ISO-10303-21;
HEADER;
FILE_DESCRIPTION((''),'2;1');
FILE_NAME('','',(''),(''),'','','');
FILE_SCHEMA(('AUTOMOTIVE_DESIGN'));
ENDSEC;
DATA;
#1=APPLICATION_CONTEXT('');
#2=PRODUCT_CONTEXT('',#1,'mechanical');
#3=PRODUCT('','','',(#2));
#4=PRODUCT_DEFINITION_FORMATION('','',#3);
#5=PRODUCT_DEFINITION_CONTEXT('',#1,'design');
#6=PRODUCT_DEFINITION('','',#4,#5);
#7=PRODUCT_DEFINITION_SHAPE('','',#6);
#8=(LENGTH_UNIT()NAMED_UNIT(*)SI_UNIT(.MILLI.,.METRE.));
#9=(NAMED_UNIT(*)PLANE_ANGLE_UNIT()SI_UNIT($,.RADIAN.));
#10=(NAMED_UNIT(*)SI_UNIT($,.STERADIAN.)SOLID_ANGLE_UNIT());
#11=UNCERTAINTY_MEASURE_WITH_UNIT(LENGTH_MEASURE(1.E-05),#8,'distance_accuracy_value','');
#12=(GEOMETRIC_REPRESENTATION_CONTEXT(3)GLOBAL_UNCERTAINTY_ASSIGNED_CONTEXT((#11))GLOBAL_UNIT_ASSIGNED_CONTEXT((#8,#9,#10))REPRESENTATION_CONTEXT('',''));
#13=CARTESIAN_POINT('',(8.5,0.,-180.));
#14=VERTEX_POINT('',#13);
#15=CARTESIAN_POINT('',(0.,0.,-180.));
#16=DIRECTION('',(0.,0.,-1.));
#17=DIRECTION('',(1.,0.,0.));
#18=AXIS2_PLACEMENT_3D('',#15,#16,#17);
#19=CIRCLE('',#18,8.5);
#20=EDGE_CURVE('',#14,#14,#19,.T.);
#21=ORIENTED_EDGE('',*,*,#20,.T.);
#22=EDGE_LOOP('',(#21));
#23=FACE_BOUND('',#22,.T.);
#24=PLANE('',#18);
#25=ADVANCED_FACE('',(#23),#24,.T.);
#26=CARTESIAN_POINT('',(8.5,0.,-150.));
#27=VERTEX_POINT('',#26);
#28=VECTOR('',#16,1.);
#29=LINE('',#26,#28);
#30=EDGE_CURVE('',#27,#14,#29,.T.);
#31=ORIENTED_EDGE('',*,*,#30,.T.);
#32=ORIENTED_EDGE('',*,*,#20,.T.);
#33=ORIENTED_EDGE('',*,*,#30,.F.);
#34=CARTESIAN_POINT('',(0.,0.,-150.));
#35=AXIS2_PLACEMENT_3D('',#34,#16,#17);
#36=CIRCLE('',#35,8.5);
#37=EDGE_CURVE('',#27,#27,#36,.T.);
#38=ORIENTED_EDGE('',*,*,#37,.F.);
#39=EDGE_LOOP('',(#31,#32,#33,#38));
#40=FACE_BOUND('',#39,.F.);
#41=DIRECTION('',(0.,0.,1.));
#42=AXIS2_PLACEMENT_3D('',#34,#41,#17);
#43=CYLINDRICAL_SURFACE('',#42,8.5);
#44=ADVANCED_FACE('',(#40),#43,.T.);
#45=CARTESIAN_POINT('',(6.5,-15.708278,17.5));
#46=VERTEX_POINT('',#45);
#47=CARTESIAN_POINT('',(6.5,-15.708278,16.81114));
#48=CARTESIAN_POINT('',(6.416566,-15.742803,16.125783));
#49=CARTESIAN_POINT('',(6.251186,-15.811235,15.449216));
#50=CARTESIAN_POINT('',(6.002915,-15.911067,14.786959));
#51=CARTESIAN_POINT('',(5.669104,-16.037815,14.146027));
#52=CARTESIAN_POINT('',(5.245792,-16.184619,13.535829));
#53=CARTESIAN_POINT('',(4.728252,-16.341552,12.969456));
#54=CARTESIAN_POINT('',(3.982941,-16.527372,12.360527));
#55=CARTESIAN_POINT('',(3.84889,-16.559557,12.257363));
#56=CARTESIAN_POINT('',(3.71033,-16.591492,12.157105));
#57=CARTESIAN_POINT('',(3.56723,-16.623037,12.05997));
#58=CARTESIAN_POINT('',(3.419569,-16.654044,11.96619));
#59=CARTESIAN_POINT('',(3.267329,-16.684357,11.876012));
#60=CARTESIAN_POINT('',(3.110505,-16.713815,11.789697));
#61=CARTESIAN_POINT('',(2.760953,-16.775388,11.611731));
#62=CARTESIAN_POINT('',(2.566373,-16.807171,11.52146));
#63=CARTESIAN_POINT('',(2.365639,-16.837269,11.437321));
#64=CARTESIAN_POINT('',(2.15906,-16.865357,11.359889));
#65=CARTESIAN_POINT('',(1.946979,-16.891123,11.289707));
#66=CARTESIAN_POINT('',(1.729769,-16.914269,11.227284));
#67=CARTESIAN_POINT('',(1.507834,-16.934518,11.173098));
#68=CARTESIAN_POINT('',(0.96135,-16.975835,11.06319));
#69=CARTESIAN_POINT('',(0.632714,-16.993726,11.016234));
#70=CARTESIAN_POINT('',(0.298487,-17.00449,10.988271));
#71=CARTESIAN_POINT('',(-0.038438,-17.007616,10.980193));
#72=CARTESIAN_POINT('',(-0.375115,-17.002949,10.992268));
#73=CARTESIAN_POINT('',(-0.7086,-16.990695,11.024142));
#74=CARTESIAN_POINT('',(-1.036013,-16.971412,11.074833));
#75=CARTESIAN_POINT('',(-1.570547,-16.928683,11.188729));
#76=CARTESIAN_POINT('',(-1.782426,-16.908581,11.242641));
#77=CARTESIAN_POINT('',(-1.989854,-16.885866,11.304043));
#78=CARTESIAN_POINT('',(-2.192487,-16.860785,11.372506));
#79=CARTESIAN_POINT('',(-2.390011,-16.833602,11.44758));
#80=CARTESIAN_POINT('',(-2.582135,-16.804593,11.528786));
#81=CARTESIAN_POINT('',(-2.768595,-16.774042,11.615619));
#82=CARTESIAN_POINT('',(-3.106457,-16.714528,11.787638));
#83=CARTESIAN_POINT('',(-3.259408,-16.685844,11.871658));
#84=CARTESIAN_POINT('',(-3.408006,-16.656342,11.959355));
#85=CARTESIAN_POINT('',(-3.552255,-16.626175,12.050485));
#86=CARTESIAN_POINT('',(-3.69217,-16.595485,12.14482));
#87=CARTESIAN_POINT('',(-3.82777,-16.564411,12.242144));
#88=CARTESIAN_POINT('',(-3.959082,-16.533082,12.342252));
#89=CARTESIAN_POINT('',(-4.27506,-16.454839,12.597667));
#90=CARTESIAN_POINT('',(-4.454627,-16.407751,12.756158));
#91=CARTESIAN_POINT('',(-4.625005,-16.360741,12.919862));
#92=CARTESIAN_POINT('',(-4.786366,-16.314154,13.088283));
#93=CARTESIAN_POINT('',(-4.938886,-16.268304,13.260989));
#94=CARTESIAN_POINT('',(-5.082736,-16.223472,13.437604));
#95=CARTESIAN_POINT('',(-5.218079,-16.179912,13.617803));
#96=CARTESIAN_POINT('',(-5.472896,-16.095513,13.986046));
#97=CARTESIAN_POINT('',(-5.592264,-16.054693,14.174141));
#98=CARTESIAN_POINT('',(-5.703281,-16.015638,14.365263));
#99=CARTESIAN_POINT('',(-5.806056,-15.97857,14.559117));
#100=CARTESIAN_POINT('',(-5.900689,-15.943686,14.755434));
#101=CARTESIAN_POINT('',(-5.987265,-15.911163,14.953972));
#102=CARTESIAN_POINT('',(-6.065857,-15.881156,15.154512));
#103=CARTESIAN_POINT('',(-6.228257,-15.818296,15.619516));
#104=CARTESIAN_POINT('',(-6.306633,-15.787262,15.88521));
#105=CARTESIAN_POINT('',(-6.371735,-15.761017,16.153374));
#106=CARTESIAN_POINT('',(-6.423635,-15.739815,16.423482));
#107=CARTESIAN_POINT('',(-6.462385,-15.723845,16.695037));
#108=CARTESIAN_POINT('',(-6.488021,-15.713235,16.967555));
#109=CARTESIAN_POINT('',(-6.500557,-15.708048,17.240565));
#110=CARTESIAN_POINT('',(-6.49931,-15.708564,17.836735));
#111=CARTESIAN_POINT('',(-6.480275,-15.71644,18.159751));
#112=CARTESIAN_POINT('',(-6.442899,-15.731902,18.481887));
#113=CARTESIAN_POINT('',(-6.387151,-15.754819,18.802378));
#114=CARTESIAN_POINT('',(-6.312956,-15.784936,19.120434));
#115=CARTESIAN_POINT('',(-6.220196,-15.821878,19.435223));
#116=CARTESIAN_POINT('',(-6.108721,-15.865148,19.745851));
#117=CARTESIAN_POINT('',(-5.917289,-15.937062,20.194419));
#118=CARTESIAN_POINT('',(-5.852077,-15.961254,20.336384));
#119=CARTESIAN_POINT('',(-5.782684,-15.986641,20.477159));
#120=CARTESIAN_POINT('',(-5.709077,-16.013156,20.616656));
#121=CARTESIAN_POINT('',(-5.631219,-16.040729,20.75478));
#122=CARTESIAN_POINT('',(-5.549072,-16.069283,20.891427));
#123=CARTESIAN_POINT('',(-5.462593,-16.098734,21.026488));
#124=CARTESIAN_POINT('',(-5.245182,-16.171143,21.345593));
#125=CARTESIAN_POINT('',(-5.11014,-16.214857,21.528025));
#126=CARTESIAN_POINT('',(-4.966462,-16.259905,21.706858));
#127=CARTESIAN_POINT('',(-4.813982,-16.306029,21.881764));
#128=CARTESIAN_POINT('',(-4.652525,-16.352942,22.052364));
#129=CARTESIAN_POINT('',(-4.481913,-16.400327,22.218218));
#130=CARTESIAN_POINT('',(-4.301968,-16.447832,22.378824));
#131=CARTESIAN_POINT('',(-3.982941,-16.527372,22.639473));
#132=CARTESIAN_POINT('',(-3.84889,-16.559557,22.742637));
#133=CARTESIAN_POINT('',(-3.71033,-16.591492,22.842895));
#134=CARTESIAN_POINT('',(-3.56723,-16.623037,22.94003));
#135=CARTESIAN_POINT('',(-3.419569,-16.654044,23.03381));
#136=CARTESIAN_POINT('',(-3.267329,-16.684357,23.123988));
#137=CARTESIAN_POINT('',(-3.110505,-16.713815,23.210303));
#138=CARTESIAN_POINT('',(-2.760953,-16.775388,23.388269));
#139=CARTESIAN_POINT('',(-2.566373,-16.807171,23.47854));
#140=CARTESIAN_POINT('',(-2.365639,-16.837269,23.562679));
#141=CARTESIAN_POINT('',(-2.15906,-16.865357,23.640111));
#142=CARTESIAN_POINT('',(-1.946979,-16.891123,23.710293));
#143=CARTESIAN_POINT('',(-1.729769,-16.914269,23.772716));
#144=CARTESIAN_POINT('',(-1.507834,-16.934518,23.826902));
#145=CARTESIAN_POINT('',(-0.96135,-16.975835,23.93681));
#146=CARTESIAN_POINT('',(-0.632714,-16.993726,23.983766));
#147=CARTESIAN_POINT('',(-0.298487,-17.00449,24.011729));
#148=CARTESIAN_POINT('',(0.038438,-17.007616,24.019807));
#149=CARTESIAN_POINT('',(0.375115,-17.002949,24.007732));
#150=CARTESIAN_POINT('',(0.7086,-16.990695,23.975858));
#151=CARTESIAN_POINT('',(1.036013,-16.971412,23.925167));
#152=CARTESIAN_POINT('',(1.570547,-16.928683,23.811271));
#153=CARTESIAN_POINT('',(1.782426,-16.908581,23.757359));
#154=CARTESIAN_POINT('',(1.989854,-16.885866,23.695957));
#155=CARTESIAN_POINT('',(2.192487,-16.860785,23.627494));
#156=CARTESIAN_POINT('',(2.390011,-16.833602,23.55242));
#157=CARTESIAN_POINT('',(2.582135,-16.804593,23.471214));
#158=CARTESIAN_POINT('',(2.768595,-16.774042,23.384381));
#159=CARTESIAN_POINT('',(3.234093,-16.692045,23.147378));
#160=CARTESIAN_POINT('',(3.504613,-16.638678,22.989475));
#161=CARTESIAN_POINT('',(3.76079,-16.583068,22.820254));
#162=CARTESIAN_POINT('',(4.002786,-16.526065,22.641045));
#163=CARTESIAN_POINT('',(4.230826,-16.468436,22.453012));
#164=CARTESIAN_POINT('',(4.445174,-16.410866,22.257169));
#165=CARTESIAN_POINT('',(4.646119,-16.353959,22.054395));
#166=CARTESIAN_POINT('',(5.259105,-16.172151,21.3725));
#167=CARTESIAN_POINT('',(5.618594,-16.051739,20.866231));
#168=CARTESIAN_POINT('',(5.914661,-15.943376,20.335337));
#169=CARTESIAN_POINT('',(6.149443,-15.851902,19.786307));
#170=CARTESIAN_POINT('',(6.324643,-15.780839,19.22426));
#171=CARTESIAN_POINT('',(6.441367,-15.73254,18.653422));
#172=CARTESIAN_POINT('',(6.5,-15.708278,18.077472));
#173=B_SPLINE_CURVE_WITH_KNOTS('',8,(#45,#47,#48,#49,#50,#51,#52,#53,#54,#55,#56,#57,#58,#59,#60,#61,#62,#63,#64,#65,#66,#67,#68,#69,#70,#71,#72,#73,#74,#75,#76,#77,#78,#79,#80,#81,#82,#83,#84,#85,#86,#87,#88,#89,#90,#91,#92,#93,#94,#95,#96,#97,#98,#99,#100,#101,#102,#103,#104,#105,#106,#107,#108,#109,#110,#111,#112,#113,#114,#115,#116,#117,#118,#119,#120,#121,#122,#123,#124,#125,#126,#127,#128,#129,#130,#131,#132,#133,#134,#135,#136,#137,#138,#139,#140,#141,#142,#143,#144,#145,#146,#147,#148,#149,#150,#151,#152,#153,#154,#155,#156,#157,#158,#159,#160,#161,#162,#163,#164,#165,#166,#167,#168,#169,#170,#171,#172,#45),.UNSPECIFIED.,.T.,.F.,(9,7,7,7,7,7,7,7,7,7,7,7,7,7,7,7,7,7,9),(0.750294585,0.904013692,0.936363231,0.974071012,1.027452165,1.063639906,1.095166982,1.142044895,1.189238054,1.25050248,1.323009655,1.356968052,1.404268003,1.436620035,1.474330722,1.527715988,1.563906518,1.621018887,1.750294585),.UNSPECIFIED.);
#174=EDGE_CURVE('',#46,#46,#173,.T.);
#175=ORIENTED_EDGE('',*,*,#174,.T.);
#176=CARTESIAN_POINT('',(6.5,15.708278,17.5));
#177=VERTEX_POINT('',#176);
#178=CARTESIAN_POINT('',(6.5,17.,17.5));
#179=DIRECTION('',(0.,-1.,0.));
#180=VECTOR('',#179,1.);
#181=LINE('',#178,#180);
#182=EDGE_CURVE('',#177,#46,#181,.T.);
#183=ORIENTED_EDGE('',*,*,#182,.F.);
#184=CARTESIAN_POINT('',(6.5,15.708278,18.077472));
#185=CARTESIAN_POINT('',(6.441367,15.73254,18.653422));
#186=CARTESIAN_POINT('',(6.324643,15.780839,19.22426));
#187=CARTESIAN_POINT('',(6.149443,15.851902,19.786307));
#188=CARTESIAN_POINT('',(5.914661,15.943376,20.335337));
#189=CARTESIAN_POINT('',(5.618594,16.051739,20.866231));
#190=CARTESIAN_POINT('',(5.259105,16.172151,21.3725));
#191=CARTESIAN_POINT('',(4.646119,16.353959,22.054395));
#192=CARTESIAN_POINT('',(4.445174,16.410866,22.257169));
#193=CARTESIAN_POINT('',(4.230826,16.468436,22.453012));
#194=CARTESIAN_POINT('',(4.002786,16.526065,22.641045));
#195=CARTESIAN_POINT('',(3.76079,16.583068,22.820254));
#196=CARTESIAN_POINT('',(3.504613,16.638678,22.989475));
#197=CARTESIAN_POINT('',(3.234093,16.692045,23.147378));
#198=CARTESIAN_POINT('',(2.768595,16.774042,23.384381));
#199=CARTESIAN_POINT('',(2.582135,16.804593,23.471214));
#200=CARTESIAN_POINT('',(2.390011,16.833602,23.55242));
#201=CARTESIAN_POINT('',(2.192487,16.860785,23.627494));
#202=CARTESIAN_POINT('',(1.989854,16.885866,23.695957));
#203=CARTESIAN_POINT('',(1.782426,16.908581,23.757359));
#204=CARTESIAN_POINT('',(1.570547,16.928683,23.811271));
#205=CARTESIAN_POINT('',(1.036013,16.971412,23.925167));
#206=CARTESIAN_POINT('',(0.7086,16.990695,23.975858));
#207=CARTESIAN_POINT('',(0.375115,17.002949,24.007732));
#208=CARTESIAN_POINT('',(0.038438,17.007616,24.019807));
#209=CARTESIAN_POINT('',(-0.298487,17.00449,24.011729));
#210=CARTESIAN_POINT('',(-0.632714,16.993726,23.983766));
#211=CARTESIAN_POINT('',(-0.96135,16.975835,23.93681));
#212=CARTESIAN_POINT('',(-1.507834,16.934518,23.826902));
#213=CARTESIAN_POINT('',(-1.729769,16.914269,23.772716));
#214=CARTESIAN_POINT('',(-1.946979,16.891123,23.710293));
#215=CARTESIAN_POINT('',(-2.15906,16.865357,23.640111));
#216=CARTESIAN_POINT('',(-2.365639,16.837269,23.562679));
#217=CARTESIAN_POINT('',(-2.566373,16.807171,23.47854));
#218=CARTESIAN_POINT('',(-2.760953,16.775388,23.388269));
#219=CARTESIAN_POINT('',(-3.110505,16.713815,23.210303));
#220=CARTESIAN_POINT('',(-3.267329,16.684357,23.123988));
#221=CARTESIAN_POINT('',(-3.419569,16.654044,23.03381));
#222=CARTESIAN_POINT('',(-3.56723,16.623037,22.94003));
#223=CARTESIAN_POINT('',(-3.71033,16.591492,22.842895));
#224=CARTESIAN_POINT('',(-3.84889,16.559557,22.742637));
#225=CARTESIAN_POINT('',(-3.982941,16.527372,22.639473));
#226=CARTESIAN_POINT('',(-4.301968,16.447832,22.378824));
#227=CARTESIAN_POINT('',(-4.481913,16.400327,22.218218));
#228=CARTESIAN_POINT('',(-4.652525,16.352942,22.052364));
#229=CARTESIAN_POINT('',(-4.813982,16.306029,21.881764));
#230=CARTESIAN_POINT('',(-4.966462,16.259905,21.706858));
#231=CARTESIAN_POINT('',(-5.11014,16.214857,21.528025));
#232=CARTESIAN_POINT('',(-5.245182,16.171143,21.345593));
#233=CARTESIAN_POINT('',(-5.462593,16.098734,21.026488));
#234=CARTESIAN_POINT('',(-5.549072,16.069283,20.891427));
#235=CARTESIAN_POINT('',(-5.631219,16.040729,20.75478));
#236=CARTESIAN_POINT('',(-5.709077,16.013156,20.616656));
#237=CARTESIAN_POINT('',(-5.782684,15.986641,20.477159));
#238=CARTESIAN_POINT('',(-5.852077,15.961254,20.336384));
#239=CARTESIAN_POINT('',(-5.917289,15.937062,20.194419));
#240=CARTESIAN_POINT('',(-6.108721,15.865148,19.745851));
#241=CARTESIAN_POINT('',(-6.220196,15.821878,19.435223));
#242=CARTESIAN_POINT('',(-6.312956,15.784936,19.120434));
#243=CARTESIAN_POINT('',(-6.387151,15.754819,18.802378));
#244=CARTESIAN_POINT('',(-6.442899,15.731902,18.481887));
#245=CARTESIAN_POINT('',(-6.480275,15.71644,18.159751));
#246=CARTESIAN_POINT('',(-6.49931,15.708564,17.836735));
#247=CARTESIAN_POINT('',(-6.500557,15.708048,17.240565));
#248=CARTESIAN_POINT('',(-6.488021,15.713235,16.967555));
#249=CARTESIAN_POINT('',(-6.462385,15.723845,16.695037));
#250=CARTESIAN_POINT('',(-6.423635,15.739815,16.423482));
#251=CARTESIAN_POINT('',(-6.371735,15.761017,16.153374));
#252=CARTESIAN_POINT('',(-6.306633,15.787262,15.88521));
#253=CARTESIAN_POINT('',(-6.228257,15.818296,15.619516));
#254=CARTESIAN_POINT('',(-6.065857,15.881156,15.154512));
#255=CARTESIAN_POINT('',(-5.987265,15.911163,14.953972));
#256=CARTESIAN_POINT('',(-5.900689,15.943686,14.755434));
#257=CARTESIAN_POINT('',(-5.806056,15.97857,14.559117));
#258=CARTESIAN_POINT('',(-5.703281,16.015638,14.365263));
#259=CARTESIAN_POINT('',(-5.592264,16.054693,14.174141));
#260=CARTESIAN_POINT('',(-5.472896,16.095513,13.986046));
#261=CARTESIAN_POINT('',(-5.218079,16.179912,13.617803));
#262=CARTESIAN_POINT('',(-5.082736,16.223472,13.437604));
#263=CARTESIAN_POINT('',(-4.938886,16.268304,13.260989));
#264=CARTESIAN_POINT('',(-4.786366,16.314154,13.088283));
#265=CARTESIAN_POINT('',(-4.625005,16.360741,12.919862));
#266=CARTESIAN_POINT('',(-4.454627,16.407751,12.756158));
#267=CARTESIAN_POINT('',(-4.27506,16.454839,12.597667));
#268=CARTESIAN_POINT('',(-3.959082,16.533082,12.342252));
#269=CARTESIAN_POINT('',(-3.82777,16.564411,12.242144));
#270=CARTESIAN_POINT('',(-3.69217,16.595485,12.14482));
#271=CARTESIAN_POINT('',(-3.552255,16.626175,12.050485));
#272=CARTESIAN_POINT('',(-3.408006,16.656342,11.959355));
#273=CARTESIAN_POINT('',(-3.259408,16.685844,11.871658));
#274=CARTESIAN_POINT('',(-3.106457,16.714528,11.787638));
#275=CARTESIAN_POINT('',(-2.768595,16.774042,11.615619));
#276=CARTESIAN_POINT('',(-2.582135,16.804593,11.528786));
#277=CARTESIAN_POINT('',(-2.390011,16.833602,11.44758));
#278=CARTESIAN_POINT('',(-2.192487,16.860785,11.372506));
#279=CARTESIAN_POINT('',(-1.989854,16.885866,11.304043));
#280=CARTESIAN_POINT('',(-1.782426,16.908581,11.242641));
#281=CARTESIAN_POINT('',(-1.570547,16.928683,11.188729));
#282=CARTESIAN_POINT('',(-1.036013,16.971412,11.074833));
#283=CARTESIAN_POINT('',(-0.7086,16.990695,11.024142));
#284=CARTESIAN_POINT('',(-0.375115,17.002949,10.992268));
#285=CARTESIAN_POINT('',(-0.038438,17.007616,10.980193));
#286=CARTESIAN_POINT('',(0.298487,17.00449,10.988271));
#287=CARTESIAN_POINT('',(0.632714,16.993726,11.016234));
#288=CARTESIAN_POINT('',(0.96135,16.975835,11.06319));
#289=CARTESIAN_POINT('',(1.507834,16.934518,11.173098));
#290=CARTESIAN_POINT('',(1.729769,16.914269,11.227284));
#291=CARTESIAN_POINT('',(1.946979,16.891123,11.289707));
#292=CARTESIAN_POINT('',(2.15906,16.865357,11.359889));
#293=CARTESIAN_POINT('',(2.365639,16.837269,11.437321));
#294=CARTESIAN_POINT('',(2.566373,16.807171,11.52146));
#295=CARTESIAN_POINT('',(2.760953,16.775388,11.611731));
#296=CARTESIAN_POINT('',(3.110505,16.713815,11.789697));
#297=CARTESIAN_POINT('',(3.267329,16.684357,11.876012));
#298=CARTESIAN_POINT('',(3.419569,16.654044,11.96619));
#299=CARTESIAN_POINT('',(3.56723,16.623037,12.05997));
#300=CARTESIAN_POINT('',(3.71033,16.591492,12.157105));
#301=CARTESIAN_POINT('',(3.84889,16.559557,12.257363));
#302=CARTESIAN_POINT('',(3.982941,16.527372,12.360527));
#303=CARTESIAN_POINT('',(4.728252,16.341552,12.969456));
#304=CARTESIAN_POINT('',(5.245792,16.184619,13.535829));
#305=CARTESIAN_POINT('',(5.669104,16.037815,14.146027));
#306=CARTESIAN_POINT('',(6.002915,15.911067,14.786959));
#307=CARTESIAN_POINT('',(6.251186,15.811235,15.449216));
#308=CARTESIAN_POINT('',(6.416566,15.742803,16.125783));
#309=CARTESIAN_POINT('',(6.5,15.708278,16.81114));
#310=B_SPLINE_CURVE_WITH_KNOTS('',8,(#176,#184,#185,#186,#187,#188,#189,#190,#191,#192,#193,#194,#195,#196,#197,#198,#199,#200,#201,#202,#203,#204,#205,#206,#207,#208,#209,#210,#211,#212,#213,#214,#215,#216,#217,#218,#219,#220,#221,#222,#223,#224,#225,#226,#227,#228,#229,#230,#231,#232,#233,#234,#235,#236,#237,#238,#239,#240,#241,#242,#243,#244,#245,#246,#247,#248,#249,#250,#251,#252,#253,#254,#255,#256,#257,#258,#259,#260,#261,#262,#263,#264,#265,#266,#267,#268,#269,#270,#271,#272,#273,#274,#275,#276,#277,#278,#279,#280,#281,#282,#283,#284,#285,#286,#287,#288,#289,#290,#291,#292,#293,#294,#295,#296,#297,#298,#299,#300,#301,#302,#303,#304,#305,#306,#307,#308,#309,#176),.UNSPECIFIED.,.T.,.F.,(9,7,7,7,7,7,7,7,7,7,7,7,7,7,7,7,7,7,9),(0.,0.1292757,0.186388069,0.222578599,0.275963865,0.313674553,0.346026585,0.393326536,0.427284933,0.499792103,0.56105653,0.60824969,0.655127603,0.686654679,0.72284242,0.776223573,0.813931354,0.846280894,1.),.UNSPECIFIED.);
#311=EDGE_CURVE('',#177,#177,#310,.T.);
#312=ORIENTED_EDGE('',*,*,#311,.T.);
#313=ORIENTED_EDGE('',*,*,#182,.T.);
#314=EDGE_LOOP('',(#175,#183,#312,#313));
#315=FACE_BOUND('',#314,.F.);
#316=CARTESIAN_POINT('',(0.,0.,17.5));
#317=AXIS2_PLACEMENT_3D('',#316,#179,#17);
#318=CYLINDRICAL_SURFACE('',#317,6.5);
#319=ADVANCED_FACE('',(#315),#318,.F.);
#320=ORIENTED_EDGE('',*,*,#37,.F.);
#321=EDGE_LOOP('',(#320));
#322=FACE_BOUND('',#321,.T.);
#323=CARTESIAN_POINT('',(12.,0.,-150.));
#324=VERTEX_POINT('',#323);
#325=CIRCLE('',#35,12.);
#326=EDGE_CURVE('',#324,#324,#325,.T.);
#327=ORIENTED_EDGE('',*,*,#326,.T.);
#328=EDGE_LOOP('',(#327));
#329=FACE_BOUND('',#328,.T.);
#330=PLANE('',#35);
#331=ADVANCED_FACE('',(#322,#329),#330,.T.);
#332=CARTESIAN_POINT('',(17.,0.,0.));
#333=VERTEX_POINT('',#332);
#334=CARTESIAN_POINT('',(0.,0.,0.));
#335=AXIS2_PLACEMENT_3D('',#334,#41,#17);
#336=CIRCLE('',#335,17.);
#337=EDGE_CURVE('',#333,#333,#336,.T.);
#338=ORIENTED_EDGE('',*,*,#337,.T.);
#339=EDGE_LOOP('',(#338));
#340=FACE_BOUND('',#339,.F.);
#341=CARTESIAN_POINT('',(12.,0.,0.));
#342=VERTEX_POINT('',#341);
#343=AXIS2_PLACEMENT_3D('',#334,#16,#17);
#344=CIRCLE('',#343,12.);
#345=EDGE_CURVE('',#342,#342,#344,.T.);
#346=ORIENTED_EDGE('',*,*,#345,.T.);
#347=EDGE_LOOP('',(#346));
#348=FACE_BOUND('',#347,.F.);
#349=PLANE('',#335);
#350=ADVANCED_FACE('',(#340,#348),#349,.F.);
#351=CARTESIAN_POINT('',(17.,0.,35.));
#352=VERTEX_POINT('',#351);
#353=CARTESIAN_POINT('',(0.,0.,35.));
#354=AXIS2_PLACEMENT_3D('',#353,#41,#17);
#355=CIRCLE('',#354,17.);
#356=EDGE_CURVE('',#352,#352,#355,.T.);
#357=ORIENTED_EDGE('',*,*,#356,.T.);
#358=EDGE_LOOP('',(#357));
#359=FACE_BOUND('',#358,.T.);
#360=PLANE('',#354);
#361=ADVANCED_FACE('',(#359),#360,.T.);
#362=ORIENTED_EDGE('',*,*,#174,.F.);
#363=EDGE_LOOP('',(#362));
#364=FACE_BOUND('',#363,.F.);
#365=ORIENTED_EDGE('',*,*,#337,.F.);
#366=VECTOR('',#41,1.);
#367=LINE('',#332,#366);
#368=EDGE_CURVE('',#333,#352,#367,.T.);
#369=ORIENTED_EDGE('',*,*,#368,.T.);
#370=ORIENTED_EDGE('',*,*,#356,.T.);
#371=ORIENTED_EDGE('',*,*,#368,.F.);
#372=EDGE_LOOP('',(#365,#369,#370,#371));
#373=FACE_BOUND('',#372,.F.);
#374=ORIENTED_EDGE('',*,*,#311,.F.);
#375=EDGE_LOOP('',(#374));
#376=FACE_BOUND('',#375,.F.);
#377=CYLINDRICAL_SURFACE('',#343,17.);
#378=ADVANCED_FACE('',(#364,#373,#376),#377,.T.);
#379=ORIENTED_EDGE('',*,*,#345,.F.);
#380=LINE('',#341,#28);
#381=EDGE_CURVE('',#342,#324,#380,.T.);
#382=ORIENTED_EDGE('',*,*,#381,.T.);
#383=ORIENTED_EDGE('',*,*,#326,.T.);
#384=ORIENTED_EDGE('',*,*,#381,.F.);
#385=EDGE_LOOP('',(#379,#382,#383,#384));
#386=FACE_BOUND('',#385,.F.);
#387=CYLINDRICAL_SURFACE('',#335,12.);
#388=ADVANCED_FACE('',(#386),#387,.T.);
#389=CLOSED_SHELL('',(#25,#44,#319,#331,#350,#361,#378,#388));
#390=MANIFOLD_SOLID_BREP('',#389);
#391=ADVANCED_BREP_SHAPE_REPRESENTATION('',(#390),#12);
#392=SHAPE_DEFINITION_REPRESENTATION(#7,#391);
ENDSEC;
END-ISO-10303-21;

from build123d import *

# Parameters (mm, degrees)
SKETCH_R     = 17
PAD_DEPTH    = 35
SKETCH001_R  = 12
PAD001_DEPTH = 150
SKETCH002_R  = 8.5
PAD002_DEPTH = 30
SKETCH003_R  = 6.5
POCKET_DEPTH = 17


with BuildPart() as part:
    # Sketch → Pad (new body)
    with BuildSketch(Plane.XY):
        Circle(SKETCH_R)
    extrude(amount=PAD_DEPTH)

    # Sketch001 (on Face2 of Pad) → Pad001 (join)
    with BuildSketch(Plane(origin=(0, 0, 0), x_dir=(1, 0, 0), z_dir=(0, 0, -1))):
        Circle(SKETCH001_R)
    extrude(amount=PAD001_DEPTH)

    # Sketch002 (on Face5 of Pad001) → Pad002 (join)
    with BuildSketch(Plane(origin=(0, 0, -150), x_dir=(1, 0, 0), z_dir=(0, 0, -1))):
        Circle(SKETCH002_R)
    extrude(amount=PAD002_DEPTH)

    # Sketch003 (on DatumPlane) → Pocket (cut, symmetric)
    with BuildSketch(Plane(origin=(0, 0, 35), x_dir=(1, 0, 0), z_dir=(0, -1, 0))):
        with Locations((0, -17.5)):
            Circle(SKETCH003_R)
    extrude(amount=POCKET_DEPTH, both=True, mode=Mode.SUBTRACT)


solid = part.part
